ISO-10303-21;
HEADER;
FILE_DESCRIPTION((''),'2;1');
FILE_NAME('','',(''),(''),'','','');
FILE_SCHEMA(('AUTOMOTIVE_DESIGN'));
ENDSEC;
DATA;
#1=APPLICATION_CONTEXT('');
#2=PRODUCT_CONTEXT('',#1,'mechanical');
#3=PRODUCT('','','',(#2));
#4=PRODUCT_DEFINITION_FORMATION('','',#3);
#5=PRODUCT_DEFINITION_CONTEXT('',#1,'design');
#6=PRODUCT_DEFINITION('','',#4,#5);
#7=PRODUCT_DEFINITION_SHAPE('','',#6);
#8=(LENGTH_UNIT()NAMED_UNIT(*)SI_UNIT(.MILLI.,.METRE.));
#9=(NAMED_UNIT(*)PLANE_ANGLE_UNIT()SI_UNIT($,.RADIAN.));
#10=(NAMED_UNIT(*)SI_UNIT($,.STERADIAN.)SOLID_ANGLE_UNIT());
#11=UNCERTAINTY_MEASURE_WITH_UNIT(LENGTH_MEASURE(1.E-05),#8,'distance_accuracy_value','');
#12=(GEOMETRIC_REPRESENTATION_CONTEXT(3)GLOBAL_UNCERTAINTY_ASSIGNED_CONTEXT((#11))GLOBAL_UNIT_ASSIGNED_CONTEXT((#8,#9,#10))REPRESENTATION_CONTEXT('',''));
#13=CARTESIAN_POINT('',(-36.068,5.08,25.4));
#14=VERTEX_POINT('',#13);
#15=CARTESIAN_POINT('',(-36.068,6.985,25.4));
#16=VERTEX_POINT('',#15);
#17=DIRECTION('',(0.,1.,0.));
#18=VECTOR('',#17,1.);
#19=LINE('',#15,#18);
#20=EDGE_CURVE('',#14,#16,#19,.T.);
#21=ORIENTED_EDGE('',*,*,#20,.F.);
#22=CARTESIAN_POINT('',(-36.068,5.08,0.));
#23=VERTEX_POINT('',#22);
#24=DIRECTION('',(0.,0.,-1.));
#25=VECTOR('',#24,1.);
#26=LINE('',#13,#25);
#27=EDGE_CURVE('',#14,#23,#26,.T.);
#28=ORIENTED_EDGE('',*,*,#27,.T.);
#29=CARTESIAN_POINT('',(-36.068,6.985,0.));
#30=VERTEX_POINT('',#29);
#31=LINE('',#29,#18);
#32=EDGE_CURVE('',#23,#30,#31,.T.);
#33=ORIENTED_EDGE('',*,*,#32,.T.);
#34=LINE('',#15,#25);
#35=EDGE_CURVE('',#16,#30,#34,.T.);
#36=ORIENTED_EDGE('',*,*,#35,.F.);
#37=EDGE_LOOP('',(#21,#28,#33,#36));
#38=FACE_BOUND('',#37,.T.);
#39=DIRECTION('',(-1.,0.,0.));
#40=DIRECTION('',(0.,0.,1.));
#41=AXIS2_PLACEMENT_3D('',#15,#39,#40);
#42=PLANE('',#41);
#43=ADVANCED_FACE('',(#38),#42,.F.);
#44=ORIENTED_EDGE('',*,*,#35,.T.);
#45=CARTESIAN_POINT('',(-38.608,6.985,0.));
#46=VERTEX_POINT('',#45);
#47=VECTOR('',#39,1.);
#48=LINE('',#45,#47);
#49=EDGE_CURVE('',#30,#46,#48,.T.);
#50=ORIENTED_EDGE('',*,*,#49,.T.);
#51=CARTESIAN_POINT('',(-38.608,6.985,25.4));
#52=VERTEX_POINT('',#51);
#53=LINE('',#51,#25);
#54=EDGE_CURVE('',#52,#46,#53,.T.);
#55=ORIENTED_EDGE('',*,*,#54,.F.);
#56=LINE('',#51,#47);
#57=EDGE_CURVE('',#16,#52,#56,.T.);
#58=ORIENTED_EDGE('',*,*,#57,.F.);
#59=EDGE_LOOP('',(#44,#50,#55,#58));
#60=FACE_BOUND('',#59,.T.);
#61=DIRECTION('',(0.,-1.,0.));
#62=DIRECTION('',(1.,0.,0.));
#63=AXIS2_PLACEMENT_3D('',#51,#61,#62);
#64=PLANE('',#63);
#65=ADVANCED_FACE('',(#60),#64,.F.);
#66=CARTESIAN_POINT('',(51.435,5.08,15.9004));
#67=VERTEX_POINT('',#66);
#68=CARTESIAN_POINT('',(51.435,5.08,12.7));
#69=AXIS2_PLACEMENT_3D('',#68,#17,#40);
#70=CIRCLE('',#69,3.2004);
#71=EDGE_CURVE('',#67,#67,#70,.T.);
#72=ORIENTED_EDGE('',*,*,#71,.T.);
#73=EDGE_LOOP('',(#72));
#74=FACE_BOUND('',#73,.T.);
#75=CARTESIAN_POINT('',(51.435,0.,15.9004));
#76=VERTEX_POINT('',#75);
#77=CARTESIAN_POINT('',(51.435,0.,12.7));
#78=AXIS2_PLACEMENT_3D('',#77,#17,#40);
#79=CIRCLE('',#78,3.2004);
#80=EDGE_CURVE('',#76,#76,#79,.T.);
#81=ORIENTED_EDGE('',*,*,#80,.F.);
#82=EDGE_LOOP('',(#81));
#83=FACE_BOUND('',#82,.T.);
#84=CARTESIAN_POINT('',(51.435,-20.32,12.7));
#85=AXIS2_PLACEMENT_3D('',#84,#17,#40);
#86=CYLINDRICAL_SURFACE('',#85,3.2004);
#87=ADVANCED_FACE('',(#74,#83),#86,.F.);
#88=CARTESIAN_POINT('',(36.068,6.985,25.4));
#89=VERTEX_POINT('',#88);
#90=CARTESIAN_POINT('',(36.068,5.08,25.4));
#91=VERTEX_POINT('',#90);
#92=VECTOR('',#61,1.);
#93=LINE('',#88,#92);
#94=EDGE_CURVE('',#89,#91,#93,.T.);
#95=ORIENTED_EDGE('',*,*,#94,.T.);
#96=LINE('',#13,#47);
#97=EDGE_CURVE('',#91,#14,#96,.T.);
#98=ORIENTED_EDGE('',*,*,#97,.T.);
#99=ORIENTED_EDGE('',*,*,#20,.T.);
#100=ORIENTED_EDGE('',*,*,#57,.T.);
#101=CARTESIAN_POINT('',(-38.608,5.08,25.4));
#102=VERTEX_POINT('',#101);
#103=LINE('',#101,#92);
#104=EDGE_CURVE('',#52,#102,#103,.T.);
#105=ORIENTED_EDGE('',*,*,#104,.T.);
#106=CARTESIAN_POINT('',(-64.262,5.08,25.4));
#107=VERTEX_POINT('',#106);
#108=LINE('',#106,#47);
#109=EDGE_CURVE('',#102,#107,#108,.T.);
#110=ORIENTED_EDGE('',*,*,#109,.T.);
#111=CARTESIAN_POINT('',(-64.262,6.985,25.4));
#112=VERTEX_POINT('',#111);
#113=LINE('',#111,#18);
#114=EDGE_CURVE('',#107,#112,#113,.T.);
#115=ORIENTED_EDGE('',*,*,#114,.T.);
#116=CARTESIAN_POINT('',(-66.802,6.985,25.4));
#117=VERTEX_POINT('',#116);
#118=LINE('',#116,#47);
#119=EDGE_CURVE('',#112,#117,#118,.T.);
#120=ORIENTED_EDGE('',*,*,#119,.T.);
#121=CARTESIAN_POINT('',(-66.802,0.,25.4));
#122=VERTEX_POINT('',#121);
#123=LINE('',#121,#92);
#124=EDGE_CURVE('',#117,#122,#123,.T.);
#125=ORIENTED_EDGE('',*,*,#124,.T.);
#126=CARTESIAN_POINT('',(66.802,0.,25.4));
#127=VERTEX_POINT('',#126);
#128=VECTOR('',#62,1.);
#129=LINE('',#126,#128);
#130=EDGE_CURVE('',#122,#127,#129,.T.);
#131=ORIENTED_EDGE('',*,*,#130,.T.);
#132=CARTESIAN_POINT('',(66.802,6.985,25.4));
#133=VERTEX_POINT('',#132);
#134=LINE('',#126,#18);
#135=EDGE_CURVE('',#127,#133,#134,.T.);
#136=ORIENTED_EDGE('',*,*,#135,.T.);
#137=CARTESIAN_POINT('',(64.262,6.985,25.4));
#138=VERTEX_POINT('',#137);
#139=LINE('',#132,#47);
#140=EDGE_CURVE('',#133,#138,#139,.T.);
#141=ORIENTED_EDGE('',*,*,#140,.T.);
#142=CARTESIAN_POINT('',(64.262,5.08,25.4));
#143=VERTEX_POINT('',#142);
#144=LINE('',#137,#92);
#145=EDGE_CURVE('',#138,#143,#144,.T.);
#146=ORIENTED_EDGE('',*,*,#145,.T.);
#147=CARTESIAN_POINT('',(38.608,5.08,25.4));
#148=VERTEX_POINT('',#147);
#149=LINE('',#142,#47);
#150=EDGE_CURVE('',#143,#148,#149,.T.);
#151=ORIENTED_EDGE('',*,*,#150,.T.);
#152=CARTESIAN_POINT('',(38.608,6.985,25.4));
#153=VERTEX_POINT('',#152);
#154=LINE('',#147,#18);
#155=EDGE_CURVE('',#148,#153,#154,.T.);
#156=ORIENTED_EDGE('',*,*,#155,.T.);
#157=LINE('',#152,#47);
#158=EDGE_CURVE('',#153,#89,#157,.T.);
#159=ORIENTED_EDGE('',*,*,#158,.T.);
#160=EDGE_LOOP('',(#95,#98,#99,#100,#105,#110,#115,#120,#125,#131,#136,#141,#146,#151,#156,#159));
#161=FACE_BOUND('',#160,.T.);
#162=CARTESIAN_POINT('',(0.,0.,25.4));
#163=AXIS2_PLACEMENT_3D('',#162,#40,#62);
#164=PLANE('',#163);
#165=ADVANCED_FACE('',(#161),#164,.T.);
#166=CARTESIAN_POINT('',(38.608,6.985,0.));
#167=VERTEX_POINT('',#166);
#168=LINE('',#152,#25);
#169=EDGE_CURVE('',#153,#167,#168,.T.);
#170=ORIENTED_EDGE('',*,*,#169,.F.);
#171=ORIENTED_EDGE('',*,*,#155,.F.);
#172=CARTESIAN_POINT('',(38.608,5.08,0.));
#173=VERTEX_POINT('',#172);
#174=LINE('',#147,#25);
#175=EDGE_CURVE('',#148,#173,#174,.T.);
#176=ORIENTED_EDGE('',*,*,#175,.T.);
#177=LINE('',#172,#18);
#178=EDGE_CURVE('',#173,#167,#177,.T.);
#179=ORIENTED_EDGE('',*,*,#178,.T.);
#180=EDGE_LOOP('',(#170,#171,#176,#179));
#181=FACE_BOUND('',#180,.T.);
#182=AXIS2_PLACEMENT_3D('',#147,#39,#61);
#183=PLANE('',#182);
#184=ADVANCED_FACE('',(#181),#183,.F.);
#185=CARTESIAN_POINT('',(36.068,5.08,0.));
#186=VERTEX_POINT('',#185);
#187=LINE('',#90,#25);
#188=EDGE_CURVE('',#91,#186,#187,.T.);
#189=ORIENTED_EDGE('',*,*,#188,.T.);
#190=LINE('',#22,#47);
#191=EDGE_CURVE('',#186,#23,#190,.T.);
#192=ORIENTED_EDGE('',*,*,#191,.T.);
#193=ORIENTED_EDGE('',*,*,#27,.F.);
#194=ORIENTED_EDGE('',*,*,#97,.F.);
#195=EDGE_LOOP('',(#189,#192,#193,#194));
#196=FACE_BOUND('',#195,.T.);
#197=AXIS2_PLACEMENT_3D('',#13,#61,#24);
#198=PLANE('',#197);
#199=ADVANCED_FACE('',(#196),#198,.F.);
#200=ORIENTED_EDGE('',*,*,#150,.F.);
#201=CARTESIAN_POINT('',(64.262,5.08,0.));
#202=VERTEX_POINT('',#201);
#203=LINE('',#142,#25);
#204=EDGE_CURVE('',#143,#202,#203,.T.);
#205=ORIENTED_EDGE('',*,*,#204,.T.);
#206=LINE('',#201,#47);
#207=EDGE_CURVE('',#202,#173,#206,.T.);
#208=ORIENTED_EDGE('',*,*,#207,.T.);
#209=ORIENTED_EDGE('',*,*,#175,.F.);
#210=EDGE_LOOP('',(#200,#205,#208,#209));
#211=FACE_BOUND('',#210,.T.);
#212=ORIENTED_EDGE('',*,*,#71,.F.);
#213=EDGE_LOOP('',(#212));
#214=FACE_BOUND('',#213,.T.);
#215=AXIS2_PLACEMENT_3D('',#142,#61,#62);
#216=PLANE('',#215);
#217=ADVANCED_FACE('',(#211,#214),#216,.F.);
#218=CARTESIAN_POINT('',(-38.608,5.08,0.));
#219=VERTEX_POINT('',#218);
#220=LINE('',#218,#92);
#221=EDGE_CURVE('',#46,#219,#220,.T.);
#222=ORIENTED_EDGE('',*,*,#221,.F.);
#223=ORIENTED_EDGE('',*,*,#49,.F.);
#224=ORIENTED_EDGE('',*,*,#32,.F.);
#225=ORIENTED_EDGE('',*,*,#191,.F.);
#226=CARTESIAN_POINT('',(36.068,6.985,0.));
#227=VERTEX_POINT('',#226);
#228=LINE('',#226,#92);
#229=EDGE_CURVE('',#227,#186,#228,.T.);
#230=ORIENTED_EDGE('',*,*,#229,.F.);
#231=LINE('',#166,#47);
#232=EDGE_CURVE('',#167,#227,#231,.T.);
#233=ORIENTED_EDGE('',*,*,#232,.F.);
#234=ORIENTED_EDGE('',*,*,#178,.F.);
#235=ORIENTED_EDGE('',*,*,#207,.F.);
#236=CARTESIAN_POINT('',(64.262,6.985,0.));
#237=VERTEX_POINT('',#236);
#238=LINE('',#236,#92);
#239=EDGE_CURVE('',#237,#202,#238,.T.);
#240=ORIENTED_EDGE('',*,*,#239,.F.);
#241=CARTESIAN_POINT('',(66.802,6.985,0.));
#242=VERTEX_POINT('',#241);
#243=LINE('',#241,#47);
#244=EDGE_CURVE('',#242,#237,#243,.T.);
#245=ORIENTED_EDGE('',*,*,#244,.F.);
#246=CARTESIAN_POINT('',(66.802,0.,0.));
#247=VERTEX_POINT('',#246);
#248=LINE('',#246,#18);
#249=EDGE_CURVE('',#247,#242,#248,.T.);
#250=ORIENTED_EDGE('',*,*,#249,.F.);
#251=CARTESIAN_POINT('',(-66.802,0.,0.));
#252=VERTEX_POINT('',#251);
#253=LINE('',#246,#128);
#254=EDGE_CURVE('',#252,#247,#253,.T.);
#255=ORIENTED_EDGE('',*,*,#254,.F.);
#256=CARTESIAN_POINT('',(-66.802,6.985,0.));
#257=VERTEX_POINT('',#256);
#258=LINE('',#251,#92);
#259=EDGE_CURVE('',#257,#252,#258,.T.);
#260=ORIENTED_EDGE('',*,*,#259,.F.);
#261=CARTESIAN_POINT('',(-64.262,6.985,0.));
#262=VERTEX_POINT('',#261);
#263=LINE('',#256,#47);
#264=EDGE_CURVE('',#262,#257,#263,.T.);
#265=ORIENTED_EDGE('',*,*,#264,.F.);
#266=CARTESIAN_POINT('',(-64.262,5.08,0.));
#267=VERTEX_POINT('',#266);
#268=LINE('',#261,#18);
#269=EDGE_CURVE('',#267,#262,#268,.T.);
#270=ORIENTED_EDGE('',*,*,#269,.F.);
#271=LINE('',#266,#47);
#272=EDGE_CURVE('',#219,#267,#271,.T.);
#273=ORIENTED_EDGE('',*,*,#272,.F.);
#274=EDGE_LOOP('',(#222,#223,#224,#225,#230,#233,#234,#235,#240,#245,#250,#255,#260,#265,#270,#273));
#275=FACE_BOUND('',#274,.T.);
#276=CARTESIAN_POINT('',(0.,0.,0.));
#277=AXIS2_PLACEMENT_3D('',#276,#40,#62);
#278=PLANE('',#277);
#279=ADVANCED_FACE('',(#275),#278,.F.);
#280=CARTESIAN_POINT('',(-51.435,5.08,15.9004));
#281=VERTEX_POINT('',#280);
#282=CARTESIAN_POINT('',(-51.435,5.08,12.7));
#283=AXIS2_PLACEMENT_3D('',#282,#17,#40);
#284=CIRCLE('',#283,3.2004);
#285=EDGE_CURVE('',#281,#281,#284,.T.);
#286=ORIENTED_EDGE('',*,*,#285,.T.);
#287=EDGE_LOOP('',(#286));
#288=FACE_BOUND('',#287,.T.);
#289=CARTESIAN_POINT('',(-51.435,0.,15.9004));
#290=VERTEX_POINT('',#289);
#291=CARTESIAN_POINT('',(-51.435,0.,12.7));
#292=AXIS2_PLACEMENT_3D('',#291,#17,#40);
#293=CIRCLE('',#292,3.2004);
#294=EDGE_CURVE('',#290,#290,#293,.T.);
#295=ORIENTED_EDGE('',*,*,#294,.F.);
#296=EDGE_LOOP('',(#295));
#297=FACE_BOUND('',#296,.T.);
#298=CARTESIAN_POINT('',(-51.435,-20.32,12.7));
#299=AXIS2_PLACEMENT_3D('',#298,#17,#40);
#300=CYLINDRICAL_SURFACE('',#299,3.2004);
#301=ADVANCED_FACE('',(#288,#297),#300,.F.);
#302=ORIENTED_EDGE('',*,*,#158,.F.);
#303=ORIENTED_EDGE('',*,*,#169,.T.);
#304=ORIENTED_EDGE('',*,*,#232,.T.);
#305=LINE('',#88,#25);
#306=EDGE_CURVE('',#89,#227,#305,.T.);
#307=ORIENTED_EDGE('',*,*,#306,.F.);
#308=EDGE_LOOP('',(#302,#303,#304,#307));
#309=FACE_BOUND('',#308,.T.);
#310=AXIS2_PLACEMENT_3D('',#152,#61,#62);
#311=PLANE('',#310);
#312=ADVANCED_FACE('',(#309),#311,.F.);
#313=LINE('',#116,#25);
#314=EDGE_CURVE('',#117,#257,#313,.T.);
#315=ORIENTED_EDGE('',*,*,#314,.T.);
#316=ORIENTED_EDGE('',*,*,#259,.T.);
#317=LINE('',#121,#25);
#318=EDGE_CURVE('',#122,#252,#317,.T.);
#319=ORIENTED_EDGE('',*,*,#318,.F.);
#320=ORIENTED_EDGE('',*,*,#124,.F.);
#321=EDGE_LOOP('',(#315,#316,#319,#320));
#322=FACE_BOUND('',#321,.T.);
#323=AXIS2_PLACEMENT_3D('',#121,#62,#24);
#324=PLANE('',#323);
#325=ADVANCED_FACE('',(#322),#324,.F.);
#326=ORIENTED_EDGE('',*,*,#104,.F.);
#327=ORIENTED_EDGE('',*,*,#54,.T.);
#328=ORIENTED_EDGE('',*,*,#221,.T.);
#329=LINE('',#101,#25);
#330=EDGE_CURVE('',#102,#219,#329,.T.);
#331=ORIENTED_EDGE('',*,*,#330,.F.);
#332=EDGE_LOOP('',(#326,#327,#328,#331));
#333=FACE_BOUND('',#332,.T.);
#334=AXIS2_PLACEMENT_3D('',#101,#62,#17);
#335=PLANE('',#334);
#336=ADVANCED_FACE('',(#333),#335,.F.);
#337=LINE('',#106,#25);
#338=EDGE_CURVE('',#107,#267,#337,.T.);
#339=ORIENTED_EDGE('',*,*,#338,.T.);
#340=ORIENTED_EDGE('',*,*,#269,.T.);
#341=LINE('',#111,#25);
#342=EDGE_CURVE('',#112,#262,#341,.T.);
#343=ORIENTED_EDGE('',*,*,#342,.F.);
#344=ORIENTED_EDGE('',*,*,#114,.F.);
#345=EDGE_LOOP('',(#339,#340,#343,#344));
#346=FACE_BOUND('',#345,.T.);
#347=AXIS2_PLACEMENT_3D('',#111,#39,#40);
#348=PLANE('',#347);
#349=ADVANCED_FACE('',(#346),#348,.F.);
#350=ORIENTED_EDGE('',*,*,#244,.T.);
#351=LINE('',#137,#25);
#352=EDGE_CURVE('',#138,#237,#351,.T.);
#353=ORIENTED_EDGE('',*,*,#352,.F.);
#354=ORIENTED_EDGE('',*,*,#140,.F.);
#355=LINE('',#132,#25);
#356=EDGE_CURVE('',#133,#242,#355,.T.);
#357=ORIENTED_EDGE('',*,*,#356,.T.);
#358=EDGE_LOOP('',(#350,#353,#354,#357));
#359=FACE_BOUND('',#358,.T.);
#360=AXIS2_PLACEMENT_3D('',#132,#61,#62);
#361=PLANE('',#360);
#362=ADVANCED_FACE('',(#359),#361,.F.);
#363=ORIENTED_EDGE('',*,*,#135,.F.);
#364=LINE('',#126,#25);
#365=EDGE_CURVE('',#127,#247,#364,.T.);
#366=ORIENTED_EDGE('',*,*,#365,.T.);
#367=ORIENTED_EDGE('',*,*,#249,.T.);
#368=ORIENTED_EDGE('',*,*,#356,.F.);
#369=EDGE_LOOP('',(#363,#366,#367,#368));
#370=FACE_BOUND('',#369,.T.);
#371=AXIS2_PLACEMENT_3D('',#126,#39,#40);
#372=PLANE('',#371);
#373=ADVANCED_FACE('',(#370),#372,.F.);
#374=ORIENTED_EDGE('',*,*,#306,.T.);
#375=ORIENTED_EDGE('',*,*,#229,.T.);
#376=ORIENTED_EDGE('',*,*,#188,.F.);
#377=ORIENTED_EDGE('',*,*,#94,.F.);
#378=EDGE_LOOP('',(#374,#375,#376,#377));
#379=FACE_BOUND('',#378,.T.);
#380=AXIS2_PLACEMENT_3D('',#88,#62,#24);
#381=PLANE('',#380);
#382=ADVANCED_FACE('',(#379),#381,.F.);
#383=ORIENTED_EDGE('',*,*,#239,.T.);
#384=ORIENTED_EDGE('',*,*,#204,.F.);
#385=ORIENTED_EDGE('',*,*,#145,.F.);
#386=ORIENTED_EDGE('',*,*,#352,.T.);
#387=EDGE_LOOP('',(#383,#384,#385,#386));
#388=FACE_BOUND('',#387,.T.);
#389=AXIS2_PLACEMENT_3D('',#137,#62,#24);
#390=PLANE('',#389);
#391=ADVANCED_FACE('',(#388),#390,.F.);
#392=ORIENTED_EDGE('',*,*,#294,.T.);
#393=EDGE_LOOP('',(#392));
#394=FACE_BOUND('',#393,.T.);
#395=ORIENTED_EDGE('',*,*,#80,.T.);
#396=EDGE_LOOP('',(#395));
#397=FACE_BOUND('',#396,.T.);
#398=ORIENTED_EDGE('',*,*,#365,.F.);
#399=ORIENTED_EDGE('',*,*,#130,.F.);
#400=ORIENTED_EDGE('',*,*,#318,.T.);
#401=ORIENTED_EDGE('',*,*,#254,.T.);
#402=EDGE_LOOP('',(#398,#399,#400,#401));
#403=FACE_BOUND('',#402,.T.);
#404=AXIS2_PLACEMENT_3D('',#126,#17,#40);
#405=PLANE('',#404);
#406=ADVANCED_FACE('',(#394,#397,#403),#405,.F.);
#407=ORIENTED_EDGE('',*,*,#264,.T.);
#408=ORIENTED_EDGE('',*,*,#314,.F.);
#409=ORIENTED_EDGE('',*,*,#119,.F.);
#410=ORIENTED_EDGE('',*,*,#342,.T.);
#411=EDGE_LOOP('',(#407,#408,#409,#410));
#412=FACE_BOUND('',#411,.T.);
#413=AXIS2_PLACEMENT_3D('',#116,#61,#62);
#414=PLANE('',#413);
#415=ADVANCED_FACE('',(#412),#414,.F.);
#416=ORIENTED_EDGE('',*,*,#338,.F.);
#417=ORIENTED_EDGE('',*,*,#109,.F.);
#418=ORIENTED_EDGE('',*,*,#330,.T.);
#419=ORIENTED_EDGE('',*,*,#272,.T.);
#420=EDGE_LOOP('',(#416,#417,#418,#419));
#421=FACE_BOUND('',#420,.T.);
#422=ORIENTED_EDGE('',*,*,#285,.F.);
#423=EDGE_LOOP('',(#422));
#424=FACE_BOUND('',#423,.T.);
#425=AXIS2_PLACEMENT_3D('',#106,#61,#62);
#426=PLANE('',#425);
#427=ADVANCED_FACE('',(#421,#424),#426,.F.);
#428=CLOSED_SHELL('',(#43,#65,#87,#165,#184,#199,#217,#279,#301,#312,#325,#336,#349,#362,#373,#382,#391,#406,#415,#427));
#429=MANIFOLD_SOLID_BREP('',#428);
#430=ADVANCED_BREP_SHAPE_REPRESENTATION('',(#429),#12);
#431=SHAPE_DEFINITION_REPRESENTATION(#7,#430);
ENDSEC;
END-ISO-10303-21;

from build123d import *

# Parameters (mm, degrees)
BOSS_EXTRUDE1_DEPTH = 25.4
SKETCH3_R           = 3.2004
CUT_EXTRUDE1_DEPTH  = 25.4


with BuildPart() as part:
    # Sketch2 → Boss-Extrude1 (new body)
    with BuildSketch(Plane.XY):
        Polygon((66.802, 0), (-66.802, 0), (-66.802, 6.985), (-64.262, 6.985), (-64.262, 5.08), (-38.608, 5.08), (-38.608, 6.985), (-36.068, 6.985), (-36.068, 5.08), (36.068, 5.08), (36.068, 6.985), (38.608, 6.985), (38.608, 5.08), (64.262, 5.08), (64.262, 6.985), (66.802, 6.985), align=None)
    extrude(amount=BOSS_EXTRUDE1_DEPTH)

    # Sketch3 → Cut-Extrude1 (cut)
    with BuildSketch(Plane(origin=(0, 5.08, 0), x_dir=(1, 0, 0), z_dir=(0, 1, 0))):
        with Locations(Location((-51.435, -12.7, 0), (0, 0, 270))):
            Circle(SKETCH3_R)
        with Locations(Location((51.435, -12.7, 0), (0, 0, 270))):
            Circle(SKETCH3_R)
    extrude(amount=-CUT_EXTRUDE1_DEPTH, mode=Mode.SUBTRACT)


solid = part.part
